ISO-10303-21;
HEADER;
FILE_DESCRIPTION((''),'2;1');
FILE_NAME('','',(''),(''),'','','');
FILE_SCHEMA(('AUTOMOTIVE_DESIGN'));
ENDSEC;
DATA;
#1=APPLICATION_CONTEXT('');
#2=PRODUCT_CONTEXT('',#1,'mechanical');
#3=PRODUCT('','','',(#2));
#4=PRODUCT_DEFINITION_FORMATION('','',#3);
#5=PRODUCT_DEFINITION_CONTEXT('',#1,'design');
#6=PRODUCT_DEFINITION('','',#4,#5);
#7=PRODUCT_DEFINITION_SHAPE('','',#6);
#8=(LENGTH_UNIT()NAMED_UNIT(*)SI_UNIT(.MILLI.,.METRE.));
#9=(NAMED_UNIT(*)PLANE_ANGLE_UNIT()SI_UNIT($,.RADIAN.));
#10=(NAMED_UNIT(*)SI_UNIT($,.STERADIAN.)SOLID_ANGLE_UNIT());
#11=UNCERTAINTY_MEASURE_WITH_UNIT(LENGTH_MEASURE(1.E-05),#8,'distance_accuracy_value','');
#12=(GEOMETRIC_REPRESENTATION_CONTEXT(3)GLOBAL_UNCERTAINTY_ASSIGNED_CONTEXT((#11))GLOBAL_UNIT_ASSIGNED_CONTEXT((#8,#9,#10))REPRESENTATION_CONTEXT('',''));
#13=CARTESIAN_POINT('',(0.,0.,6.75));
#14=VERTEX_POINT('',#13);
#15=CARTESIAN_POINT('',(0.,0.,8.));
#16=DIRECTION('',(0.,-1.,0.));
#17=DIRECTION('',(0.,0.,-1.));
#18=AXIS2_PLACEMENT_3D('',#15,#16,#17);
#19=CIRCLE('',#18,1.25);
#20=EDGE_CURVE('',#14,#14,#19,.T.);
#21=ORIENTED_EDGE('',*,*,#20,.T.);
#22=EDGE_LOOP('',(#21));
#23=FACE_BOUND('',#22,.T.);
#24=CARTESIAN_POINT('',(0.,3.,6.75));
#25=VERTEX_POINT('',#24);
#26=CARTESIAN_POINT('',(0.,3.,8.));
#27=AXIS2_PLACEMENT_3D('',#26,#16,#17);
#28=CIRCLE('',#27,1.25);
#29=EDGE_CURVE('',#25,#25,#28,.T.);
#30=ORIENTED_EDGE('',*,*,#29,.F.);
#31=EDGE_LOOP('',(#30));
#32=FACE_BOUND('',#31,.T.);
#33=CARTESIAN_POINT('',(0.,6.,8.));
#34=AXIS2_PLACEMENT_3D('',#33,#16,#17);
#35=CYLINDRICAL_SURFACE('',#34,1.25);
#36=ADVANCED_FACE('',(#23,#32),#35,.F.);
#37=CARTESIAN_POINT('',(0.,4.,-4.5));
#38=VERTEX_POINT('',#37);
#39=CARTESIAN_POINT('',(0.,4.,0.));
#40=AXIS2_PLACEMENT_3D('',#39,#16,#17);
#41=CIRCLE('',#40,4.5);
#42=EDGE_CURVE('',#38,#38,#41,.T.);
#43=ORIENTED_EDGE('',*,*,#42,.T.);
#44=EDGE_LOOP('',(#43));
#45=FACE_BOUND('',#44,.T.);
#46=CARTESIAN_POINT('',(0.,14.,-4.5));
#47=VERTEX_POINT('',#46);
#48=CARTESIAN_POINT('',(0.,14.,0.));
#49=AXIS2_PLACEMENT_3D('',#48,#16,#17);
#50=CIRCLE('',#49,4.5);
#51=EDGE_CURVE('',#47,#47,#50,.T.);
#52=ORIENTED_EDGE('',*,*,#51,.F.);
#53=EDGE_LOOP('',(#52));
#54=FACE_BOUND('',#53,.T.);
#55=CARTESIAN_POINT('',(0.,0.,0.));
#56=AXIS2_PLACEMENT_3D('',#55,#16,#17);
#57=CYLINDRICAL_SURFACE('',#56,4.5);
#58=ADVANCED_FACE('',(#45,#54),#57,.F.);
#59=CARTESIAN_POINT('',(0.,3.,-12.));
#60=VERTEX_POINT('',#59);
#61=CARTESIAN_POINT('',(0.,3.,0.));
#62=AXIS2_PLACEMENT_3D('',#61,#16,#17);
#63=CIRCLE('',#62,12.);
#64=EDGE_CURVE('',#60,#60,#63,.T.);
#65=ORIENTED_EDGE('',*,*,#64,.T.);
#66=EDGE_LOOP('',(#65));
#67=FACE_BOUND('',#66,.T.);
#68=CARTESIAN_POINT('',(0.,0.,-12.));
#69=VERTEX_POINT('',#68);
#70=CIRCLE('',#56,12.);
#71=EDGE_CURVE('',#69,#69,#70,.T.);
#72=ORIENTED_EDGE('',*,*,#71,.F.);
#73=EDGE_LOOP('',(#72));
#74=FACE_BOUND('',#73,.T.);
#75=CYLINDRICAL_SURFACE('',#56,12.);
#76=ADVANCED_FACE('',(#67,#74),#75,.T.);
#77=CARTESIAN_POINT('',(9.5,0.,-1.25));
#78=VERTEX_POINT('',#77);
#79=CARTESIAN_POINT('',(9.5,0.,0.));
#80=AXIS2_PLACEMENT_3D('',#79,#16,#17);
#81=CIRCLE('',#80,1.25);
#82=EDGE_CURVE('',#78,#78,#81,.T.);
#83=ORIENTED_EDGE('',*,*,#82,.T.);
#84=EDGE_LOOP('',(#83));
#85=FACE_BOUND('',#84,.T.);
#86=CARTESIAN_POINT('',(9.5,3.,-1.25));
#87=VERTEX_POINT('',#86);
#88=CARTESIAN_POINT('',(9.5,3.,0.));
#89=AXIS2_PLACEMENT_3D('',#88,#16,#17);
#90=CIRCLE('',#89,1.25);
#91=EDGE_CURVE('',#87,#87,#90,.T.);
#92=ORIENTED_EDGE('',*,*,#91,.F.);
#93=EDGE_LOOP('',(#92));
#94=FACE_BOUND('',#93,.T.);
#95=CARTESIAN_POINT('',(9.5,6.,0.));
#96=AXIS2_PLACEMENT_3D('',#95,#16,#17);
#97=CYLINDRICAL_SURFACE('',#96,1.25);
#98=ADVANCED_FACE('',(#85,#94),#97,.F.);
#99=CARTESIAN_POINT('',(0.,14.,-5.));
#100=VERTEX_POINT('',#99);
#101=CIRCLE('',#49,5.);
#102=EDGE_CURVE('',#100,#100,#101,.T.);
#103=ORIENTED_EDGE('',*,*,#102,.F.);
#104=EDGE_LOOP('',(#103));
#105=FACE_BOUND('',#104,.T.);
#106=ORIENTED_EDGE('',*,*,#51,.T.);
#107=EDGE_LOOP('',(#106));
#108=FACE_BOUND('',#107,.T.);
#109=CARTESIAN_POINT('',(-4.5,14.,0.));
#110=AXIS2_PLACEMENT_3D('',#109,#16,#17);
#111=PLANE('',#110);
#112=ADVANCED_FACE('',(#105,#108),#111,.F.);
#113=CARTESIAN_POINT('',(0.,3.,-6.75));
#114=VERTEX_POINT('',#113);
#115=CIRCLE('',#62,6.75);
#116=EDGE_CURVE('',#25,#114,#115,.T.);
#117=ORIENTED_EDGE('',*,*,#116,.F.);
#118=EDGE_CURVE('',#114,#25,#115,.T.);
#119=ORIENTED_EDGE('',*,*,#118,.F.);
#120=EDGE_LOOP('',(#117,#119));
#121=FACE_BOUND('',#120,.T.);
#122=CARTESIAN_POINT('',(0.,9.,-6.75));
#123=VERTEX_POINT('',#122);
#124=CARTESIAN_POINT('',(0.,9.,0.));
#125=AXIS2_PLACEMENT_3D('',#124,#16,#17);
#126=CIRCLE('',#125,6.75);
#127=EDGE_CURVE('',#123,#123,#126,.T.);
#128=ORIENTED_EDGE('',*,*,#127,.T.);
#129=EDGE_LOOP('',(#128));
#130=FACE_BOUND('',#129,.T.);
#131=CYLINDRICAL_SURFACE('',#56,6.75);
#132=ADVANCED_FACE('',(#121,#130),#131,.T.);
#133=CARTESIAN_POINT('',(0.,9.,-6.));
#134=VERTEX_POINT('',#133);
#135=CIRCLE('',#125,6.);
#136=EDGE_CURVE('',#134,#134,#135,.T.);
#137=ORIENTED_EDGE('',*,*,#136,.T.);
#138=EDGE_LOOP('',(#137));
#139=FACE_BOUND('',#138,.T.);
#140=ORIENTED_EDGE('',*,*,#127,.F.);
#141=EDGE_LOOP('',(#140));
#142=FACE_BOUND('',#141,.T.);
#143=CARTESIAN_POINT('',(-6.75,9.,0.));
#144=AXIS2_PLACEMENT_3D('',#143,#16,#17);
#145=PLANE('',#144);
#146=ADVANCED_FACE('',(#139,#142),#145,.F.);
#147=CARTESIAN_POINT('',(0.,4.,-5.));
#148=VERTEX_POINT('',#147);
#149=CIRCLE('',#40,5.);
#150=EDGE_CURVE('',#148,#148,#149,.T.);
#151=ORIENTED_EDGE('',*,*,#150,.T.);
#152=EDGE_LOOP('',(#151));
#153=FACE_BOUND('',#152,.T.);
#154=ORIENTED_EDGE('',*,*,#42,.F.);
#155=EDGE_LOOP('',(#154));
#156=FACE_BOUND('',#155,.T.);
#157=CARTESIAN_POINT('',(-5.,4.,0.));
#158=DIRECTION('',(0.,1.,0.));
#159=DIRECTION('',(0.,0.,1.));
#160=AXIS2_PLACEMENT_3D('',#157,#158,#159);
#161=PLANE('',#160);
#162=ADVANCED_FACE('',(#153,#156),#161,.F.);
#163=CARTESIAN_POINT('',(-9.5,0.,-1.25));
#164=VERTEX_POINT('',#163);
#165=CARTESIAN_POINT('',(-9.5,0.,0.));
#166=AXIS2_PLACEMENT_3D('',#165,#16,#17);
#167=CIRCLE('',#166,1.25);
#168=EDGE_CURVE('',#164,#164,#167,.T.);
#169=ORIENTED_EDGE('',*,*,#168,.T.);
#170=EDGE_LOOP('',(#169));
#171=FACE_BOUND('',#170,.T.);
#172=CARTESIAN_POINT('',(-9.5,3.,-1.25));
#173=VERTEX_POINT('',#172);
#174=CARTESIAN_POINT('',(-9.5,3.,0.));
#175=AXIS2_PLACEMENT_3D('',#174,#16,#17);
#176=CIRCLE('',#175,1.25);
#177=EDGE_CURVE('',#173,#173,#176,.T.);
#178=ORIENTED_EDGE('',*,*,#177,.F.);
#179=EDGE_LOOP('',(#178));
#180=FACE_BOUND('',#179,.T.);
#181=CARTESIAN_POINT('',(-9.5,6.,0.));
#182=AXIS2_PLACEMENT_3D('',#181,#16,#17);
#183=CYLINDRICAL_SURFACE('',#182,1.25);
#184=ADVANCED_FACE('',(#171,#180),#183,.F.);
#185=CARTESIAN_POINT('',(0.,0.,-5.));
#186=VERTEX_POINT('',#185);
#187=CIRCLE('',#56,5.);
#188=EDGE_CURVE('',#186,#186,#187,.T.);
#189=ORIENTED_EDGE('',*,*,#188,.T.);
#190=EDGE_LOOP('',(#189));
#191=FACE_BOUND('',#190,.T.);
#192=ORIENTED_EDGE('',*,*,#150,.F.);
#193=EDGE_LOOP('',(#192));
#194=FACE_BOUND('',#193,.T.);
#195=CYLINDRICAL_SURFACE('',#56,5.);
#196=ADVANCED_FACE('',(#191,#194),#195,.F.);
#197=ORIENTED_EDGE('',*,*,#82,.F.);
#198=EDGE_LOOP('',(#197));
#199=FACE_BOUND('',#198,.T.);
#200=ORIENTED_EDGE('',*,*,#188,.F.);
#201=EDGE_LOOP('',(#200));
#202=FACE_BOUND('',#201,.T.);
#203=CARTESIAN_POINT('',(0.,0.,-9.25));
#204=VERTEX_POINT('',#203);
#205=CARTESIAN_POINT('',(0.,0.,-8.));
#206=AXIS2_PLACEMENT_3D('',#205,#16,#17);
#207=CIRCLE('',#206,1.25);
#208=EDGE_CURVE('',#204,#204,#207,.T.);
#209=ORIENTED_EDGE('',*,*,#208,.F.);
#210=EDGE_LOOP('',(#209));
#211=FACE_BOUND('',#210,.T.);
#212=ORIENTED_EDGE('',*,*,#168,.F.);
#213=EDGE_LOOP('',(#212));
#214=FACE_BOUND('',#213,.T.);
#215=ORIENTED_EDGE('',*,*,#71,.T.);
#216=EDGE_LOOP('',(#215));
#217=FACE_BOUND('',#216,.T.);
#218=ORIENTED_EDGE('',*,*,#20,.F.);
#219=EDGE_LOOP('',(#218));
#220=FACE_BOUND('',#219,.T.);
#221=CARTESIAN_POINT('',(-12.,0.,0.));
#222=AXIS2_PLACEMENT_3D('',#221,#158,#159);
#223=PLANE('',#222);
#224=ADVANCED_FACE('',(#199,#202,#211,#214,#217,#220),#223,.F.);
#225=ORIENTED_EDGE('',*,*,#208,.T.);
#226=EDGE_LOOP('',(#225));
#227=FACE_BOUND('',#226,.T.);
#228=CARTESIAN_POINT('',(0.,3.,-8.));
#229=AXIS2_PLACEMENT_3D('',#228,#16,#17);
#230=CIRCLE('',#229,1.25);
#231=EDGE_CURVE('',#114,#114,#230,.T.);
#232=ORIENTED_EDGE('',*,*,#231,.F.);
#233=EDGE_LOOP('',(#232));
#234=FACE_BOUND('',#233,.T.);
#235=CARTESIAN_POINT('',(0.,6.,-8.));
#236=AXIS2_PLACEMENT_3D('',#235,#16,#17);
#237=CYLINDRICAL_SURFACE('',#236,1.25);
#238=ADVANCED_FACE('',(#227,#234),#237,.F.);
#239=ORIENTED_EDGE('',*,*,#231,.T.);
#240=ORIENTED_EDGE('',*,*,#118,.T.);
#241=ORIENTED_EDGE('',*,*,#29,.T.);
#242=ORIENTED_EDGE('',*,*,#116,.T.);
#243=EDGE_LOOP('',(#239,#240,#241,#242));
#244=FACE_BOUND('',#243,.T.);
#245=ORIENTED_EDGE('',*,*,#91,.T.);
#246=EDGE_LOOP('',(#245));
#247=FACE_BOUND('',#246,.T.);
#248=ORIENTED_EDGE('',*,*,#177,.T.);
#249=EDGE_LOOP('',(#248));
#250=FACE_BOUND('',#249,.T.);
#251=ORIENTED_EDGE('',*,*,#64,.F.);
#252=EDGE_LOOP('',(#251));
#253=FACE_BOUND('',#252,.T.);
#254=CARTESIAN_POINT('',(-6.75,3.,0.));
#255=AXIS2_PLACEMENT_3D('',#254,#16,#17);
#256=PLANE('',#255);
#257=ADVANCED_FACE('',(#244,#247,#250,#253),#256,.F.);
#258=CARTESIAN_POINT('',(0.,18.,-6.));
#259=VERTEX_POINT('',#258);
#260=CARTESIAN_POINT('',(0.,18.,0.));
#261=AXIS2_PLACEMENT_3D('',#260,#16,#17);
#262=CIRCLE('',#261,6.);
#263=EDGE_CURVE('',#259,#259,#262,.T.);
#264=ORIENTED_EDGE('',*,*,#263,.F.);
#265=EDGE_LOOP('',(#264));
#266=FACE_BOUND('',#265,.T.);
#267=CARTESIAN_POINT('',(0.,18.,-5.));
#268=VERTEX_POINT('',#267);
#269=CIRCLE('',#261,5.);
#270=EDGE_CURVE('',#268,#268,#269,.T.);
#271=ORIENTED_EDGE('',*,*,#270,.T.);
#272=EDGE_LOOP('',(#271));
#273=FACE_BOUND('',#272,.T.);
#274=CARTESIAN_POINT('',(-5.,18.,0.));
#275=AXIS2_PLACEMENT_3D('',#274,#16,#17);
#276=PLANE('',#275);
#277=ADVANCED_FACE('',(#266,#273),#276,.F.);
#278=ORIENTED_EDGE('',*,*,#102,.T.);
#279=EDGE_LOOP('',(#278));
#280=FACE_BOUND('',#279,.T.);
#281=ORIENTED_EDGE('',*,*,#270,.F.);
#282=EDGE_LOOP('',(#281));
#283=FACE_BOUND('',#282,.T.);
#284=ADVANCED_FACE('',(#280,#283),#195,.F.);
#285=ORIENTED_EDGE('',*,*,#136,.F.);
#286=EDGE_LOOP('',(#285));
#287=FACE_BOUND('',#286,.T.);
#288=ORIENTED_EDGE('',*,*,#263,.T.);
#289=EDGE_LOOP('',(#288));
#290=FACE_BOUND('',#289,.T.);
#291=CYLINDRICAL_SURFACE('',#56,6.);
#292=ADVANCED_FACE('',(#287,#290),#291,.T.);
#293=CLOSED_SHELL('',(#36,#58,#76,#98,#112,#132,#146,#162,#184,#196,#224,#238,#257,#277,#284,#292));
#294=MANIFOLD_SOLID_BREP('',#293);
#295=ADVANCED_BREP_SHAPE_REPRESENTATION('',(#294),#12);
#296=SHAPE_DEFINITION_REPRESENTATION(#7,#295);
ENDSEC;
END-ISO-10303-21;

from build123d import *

# Parameters (mm, degrees)
SKETCH3_R          = 1.25
CUT_EXTRUDE1_DEPTH = 6


with BuildPart() as part:
    # Sketch2 → Revolve1 (revolve)
    with BuildSketch(Plane.XY, mode=Mode.PRIVATE) as revolve1_sk:
        Polygon((-12, 0), (-5, 0), (-5, 4), (-4.5, 4), (-4.5, 14), (-5, 14), (-5, 18), (-6, 18), (-6, 9), (-6.75, 9), (-6.75, 3), (-12, 3), align=None)
    revolve(revolve1_sk.sketch.rotate(Axis((0, 0, 0), (0, 1, 0)), 270), axis=Axis((0, 0, 0), (0, 1, 0)))

    # Sketch3 → Cut-Extrude1 (cut)
    with BuildSketch(Plane.XZ):
        with Locations(Location((0, 8, 0), (0, 0, 270))):
            Circle(SKETCH3_R)
        with Locations(Location((9.5, 0, 0), (0, 0, 270))):
            Circle(SKETCH3_R)
        with Locations(Location((0, -8, 0), (0, 0, 270))):
            Circle(SKETCH3_R)
        with Locations(Location((-9.5, 0, 0), (0, 0, 270))):
            Circle(SKETCH3_R)
    extrude(amount=-CUT_EXTRUDE1_DEPTH, mode=Mode.SUBTRACT)


solid = part.part
